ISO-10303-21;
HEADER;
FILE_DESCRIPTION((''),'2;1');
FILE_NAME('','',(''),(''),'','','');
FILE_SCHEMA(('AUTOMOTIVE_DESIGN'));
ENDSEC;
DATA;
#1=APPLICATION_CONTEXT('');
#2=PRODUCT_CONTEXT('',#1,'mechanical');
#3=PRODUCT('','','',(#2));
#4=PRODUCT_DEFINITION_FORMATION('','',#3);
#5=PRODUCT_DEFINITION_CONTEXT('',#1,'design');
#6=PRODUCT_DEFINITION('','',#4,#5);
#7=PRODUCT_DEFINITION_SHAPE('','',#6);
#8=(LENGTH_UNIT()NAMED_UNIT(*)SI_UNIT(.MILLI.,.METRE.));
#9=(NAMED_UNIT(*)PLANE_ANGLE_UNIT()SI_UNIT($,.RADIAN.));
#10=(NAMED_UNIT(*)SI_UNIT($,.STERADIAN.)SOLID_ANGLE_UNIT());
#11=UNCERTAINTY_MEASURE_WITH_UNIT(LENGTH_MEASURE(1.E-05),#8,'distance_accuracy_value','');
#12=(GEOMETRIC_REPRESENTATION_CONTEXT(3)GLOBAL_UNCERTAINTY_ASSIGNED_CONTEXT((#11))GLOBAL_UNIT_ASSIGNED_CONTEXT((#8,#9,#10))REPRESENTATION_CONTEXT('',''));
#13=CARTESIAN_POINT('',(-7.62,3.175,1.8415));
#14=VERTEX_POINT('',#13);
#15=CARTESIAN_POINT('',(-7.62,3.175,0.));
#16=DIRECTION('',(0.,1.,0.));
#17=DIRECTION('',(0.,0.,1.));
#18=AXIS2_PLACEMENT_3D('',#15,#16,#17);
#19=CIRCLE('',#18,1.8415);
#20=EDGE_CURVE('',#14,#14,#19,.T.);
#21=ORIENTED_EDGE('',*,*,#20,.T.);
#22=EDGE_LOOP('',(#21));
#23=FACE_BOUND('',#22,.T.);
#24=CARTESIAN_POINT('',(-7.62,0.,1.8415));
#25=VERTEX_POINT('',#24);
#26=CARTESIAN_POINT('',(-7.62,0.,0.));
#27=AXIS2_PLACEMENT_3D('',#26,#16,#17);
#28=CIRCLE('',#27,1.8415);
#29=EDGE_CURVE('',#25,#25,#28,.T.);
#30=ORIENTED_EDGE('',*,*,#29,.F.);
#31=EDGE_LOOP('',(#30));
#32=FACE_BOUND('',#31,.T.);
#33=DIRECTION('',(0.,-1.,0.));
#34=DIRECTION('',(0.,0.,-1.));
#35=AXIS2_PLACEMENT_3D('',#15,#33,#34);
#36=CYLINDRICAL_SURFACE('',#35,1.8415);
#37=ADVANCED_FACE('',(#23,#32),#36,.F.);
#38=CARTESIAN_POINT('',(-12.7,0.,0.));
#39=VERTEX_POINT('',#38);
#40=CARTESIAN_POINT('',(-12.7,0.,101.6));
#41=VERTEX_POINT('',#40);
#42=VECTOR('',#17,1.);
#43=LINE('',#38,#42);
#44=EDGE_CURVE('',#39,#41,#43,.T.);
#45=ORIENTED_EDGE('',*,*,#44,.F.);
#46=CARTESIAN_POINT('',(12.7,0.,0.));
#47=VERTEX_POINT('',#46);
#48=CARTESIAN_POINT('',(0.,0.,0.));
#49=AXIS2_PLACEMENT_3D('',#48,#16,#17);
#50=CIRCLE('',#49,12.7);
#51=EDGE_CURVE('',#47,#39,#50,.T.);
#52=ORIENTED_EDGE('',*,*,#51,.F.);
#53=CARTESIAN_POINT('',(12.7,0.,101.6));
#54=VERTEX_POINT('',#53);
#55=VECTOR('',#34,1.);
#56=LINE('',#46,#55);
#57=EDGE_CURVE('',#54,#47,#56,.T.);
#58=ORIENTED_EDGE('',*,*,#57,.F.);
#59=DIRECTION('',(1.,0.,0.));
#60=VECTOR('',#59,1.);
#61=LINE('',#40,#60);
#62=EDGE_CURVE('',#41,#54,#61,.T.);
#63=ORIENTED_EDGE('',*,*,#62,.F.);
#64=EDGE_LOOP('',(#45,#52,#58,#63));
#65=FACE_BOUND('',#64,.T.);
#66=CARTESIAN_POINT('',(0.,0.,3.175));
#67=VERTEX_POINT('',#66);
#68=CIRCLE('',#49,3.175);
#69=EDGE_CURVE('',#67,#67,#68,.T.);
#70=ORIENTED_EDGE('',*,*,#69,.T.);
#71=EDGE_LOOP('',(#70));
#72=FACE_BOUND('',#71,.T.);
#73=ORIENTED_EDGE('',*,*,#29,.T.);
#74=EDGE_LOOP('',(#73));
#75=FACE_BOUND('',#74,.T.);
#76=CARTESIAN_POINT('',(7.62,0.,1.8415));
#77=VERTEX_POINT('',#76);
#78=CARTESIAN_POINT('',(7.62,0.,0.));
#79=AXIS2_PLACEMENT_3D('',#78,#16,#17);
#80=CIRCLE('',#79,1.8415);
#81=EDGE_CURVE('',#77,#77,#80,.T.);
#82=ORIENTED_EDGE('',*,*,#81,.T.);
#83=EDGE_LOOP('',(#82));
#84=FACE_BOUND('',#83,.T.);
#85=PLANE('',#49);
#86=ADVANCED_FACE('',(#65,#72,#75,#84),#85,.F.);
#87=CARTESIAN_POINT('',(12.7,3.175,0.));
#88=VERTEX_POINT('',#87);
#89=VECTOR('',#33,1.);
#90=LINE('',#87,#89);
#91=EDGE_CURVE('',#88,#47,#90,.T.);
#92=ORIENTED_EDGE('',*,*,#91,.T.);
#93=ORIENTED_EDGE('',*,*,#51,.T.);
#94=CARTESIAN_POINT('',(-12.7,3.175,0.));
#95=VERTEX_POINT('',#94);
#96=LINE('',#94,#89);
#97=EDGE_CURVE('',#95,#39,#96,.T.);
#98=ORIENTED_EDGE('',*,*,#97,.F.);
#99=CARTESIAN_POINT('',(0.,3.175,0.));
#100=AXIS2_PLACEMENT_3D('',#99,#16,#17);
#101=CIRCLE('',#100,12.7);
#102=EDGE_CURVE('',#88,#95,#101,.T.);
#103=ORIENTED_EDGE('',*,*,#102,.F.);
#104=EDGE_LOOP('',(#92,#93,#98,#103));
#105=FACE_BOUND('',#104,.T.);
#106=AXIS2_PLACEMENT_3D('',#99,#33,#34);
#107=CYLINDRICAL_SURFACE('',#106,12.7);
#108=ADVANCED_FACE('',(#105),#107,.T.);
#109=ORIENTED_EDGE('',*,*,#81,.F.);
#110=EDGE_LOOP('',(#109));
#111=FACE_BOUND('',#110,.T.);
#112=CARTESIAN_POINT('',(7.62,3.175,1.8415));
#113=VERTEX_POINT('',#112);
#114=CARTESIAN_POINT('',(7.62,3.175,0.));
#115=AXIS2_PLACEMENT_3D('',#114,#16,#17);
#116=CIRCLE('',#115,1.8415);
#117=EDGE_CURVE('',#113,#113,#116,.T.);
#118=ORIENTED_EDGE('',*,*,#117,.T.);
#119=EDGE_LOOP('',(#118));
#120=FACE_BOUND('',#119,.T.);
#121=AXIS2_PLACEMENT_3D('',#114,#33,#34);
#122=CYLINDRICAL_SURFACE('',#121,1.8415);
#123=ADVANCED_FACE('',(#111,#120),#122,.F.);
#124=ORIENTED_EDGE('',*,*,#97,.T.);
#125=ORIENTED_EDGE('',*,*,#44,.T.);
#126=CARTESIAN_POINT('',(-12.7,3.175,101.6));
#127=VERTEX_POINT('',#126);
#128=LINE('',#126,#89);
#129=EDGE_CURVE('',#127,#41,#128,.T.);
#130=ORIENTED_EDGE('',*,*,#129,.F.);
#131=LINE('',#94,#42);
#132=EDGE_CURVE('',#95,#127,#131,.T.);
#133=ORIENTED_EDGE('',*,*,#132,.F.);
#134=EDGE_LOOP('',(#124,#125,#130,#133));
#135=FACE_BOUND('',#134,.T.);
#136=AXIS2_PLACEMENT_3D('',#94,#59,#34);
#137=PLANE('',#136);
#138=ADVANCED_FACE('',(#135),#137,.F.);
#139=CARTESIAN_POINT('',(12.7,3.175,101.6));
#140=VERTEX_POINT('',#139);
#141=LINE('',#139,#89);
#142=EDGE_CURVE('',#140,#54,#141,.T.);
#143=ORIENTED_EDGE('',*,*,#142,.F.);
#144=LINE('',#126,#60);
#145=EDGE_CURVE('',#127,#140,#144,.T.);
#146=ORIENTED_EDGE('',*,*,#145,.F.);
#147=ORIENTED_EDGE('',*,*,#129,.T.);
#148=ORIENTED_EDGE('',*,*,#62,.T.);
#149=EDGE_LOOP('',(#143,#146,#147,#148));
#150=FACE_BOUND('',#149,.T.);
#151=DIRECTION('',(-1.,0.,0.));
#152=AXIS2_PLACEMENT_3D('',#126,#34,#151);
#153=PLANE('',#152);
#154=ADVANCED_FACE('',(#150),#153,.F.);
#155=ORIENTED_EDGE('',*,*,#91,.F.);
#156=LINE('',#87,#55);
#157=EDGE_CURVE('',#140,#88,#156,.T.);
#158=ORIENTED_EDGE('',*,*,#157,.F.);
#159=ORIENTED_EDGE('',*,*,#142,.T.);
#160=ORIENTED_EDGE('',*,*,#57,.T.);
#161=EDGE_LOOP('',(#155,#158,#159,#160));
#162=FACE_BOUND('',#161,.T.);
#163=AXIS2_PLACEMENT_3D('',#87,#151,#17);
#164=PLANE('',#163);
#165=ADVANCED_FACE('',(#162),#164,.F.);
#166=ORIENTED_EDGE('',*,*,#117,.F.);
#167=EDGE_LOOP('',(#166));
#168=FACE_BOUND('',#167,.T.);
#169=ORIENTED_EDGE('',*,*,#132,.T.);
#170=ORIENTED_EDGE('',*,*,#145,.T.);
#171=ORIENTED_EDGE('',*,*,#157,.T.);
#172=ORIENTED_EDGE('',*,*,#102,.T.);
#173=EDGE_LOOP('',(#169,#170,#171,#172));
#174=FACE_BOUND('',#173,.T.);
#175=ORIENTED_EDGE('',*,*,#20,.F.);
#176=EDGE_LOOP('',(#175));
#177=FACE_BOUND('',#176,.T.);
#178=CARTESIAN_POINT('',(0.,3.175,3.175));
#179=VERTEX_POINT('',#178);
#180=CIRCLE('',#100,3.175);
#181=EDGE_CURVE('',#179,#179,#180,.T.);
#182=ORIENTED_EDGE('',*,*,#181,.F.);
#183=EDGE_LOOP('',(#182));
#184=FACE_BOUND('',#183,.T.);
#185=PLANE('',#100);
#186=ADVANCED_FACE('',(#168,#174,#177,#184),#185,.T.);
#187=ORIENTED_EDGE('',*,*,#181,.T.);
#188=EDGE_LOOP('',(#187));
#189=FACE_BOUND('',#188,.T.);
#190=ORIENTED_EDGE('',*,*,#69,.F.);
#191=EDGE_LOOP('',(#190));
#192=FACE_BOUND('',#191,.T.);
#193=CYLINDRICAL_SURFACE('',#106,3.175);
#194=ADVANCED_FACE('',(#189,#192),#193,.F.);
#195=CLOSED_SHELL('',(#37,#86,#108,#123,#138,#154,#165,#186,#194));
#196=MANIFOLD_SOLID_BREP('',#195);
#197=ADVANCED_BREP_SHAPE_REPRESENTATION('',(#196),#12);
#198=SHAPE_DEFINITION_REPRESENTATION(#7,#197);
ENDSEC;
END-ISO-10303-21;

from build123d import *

# Parameters (mm, degrees)
SKETCH1_R           = 3.175
SKETCH1_R_2         = 1.8415
BOSS_EXTRUDE1_DEPTH = 3.175


with BuildPart() as part:
    # Sketch1 → Boss-Extrude1 (new body)
    with BuildSketch(Plane(origin=(0, 0, 0), x_dir=(1, 0, 0), z_dir=(0, 1, 0))):
        with BuildLine():
            Line((-12.7, 0), (-12.7, -101.6))
            Line((-12.7, -101.6), (12.7, -101.6))
            Line((12.7, -101.6), (12.7, 0))
            ThreePointArc((12.7, 0), (0, 12.7), (-12.7, 0))
        make_face()
        with Locations(Location((0, 0, 0), (0, 0, 270))):
            Circle(SKETCH1_R, mode=Mode.SUBTRACT)
        with Locations(Location((-7.62, 0, 0), (0, 0, 270))):
            Circle(SKETCH1_R_2, mode=Mode.SUBTRACT)
        with Locations(Location((7.62, 0, 0), (0, 0, 270))):
            Circle(SKETCH1_R_2, mode=Mode.SUBTRACT)
    extrude(amount=BOSS_EXTRUDE1_DEPTH)


solid = part.part
